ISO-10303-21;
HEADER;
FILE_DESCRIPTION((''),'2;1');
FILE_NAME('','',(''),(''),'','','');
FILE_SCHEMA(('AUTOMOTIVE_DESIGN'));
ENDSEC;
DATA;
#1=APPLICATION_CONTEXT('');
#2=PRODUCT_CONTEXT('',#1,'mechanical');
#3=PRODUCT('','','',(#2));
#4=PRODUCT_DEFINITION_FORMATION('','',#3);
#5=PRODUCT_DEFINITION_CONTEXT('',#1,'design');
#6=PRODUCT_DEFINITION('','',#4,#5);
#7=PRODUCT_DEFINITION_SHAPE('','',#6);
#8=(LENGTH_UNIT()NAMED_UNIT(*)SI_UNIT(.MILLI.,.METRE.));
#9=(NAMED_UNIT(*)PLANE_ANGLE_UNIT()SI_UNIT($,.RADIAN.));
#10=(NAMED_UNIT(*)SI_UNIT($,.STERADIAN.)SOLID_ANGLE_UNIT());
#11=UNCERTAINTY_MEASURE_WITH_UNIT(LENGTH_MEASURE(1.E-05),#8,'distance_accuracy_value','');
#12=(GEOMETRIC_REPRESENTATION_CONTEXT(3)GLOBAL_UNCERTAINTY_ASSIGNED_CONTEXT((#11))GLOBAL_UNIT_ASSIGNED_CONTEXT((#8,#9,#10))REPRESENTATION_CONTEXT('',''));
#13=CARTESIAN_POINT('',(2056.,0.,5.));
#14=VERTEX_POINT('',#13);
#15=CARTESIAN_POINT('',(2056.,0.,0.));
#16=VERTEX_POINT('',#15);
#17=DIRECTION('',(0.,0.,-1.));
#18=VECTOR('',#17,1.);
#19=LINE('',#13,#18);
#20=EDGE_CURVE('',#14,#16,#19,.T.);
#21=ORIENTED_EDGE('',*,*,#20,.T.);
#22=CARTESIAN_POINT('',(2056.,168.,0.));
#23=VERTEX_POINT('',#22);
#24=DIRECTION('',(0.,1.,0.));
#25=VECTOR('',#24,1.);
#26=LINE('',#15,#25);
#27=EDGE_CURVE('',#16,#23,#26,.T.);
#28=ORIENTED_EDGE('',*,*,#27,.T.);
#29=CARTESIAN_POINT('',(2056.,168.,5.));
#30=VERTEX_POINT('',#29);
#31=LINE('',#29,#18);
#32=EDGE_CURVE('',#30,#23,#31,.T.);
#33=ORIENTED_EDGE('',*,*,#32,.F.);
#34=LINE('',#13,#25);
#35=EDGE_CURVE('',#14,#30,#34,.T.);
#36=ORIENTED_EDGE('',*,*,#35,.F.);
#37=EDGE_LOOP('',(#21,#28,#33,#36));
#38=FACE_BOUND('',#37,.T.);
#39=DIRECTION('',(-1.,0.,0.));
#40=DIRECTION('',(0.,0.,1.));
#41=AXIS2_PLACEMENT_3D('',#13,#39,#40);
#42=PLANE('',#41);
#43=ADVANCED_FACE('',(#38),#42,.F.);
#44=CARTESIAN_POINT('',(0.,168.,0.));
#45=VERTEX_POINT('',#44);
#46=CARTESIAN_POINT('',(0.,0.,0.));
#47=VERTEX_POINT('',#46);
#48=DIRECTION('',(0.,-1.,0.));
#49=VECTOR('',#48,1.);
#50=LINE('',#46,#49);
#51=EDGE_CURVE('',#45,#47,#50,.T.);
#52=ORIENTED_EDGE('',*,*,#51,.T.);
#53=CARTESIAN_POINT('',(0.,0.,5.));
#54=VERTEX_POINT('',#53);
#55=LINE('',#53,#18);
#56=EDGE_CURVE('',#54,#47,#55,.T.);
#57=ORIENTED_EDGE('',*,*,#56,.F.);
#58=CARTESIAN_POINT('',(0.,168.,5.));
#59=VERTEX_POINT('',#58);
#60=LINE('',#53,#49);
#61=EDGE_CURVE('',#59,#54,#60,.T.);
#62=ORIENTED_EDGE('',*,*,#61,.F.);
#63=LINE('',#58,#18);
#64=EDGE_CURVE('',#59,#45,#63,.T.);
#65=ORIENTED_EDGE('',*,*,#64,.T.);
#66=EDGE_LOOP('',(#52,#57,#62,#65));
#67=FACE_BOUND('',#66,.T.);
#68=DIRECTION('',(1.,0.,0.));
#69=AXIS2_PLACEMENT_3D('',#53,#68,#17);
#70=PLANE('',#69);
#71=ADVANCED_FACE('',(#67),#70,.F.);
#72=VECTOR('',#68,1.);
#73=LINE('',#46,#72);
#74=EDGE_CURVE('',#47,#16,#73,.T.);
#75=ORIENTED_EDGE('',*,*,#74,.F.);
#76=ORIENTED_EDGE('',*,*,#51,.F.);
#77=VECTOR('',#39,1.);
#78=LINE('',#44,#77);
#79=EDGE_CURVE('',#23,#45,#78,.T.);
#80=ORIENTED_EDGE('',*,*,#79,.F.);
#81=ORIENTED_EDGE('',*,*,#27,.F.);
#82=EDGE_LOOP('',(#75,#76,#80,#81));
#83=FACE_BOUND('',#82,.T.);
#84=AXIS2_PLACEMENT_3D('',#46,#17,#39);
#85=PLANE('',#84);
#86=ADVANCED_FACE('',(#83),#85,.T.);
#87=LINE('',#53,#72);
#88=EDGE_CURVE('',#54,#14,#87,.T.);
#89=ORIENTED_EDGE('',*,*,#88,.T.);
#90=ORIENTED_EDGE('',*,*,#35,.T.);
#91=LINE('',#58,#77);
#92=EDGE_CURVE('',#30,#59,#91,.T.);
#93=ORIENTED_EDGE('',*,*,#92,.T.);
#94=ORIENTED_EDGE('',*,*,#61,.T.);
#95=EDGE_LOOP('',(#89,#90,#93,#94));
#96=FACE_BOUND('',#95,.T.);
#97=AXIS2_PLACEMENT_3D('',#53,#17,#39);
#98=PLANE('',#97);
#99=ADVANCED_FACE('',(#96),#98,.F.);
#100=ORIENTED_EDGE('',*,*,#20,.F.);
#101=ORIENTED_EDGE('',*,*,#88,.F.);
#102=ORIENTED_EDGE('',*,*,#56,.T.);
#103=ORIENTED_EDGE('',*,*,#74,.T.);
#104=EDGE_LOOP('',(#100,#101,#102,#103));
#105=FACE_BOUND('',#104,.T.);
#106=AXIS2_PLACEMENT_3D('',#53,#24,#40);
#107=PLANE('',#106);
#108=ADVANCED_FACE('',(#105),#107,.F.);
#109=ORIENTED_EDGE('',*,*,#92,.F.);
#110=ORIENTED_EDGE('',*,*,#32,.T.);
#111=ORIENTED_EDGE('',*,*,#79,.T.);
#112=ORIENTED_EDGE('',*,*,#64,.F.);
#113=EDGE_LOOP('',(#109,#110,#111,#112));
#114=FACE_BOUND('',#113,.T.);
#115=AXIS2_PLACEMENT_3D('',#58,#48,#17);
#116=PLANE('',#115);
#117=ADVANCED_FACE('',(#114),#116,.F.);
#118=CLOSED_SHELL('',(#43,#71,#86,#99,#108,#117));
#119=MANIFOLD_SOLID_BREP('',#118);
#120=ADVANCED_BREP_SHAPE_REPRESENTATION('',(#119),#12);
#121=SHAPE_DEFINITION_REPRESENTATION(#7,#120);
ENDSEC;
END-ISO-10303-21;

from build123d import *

# Parameters (mm, degrees)
SKETCH_1_W      = 2056
SKETCH_1_H      = 168
EXTRUDE_1_DEPTH = 5


with BuildPart() as part:
    # 草图1 → 凸台-拉伸1 (new body)
    with BuildSketch(Plane.XY):
        with Locations((1028, 84)):
            Rectangle(SKETCH_1_W, SKETCH_1_H)
    extrude(amount=EXTRUDE_1_DEPTH)


solid = part.part
